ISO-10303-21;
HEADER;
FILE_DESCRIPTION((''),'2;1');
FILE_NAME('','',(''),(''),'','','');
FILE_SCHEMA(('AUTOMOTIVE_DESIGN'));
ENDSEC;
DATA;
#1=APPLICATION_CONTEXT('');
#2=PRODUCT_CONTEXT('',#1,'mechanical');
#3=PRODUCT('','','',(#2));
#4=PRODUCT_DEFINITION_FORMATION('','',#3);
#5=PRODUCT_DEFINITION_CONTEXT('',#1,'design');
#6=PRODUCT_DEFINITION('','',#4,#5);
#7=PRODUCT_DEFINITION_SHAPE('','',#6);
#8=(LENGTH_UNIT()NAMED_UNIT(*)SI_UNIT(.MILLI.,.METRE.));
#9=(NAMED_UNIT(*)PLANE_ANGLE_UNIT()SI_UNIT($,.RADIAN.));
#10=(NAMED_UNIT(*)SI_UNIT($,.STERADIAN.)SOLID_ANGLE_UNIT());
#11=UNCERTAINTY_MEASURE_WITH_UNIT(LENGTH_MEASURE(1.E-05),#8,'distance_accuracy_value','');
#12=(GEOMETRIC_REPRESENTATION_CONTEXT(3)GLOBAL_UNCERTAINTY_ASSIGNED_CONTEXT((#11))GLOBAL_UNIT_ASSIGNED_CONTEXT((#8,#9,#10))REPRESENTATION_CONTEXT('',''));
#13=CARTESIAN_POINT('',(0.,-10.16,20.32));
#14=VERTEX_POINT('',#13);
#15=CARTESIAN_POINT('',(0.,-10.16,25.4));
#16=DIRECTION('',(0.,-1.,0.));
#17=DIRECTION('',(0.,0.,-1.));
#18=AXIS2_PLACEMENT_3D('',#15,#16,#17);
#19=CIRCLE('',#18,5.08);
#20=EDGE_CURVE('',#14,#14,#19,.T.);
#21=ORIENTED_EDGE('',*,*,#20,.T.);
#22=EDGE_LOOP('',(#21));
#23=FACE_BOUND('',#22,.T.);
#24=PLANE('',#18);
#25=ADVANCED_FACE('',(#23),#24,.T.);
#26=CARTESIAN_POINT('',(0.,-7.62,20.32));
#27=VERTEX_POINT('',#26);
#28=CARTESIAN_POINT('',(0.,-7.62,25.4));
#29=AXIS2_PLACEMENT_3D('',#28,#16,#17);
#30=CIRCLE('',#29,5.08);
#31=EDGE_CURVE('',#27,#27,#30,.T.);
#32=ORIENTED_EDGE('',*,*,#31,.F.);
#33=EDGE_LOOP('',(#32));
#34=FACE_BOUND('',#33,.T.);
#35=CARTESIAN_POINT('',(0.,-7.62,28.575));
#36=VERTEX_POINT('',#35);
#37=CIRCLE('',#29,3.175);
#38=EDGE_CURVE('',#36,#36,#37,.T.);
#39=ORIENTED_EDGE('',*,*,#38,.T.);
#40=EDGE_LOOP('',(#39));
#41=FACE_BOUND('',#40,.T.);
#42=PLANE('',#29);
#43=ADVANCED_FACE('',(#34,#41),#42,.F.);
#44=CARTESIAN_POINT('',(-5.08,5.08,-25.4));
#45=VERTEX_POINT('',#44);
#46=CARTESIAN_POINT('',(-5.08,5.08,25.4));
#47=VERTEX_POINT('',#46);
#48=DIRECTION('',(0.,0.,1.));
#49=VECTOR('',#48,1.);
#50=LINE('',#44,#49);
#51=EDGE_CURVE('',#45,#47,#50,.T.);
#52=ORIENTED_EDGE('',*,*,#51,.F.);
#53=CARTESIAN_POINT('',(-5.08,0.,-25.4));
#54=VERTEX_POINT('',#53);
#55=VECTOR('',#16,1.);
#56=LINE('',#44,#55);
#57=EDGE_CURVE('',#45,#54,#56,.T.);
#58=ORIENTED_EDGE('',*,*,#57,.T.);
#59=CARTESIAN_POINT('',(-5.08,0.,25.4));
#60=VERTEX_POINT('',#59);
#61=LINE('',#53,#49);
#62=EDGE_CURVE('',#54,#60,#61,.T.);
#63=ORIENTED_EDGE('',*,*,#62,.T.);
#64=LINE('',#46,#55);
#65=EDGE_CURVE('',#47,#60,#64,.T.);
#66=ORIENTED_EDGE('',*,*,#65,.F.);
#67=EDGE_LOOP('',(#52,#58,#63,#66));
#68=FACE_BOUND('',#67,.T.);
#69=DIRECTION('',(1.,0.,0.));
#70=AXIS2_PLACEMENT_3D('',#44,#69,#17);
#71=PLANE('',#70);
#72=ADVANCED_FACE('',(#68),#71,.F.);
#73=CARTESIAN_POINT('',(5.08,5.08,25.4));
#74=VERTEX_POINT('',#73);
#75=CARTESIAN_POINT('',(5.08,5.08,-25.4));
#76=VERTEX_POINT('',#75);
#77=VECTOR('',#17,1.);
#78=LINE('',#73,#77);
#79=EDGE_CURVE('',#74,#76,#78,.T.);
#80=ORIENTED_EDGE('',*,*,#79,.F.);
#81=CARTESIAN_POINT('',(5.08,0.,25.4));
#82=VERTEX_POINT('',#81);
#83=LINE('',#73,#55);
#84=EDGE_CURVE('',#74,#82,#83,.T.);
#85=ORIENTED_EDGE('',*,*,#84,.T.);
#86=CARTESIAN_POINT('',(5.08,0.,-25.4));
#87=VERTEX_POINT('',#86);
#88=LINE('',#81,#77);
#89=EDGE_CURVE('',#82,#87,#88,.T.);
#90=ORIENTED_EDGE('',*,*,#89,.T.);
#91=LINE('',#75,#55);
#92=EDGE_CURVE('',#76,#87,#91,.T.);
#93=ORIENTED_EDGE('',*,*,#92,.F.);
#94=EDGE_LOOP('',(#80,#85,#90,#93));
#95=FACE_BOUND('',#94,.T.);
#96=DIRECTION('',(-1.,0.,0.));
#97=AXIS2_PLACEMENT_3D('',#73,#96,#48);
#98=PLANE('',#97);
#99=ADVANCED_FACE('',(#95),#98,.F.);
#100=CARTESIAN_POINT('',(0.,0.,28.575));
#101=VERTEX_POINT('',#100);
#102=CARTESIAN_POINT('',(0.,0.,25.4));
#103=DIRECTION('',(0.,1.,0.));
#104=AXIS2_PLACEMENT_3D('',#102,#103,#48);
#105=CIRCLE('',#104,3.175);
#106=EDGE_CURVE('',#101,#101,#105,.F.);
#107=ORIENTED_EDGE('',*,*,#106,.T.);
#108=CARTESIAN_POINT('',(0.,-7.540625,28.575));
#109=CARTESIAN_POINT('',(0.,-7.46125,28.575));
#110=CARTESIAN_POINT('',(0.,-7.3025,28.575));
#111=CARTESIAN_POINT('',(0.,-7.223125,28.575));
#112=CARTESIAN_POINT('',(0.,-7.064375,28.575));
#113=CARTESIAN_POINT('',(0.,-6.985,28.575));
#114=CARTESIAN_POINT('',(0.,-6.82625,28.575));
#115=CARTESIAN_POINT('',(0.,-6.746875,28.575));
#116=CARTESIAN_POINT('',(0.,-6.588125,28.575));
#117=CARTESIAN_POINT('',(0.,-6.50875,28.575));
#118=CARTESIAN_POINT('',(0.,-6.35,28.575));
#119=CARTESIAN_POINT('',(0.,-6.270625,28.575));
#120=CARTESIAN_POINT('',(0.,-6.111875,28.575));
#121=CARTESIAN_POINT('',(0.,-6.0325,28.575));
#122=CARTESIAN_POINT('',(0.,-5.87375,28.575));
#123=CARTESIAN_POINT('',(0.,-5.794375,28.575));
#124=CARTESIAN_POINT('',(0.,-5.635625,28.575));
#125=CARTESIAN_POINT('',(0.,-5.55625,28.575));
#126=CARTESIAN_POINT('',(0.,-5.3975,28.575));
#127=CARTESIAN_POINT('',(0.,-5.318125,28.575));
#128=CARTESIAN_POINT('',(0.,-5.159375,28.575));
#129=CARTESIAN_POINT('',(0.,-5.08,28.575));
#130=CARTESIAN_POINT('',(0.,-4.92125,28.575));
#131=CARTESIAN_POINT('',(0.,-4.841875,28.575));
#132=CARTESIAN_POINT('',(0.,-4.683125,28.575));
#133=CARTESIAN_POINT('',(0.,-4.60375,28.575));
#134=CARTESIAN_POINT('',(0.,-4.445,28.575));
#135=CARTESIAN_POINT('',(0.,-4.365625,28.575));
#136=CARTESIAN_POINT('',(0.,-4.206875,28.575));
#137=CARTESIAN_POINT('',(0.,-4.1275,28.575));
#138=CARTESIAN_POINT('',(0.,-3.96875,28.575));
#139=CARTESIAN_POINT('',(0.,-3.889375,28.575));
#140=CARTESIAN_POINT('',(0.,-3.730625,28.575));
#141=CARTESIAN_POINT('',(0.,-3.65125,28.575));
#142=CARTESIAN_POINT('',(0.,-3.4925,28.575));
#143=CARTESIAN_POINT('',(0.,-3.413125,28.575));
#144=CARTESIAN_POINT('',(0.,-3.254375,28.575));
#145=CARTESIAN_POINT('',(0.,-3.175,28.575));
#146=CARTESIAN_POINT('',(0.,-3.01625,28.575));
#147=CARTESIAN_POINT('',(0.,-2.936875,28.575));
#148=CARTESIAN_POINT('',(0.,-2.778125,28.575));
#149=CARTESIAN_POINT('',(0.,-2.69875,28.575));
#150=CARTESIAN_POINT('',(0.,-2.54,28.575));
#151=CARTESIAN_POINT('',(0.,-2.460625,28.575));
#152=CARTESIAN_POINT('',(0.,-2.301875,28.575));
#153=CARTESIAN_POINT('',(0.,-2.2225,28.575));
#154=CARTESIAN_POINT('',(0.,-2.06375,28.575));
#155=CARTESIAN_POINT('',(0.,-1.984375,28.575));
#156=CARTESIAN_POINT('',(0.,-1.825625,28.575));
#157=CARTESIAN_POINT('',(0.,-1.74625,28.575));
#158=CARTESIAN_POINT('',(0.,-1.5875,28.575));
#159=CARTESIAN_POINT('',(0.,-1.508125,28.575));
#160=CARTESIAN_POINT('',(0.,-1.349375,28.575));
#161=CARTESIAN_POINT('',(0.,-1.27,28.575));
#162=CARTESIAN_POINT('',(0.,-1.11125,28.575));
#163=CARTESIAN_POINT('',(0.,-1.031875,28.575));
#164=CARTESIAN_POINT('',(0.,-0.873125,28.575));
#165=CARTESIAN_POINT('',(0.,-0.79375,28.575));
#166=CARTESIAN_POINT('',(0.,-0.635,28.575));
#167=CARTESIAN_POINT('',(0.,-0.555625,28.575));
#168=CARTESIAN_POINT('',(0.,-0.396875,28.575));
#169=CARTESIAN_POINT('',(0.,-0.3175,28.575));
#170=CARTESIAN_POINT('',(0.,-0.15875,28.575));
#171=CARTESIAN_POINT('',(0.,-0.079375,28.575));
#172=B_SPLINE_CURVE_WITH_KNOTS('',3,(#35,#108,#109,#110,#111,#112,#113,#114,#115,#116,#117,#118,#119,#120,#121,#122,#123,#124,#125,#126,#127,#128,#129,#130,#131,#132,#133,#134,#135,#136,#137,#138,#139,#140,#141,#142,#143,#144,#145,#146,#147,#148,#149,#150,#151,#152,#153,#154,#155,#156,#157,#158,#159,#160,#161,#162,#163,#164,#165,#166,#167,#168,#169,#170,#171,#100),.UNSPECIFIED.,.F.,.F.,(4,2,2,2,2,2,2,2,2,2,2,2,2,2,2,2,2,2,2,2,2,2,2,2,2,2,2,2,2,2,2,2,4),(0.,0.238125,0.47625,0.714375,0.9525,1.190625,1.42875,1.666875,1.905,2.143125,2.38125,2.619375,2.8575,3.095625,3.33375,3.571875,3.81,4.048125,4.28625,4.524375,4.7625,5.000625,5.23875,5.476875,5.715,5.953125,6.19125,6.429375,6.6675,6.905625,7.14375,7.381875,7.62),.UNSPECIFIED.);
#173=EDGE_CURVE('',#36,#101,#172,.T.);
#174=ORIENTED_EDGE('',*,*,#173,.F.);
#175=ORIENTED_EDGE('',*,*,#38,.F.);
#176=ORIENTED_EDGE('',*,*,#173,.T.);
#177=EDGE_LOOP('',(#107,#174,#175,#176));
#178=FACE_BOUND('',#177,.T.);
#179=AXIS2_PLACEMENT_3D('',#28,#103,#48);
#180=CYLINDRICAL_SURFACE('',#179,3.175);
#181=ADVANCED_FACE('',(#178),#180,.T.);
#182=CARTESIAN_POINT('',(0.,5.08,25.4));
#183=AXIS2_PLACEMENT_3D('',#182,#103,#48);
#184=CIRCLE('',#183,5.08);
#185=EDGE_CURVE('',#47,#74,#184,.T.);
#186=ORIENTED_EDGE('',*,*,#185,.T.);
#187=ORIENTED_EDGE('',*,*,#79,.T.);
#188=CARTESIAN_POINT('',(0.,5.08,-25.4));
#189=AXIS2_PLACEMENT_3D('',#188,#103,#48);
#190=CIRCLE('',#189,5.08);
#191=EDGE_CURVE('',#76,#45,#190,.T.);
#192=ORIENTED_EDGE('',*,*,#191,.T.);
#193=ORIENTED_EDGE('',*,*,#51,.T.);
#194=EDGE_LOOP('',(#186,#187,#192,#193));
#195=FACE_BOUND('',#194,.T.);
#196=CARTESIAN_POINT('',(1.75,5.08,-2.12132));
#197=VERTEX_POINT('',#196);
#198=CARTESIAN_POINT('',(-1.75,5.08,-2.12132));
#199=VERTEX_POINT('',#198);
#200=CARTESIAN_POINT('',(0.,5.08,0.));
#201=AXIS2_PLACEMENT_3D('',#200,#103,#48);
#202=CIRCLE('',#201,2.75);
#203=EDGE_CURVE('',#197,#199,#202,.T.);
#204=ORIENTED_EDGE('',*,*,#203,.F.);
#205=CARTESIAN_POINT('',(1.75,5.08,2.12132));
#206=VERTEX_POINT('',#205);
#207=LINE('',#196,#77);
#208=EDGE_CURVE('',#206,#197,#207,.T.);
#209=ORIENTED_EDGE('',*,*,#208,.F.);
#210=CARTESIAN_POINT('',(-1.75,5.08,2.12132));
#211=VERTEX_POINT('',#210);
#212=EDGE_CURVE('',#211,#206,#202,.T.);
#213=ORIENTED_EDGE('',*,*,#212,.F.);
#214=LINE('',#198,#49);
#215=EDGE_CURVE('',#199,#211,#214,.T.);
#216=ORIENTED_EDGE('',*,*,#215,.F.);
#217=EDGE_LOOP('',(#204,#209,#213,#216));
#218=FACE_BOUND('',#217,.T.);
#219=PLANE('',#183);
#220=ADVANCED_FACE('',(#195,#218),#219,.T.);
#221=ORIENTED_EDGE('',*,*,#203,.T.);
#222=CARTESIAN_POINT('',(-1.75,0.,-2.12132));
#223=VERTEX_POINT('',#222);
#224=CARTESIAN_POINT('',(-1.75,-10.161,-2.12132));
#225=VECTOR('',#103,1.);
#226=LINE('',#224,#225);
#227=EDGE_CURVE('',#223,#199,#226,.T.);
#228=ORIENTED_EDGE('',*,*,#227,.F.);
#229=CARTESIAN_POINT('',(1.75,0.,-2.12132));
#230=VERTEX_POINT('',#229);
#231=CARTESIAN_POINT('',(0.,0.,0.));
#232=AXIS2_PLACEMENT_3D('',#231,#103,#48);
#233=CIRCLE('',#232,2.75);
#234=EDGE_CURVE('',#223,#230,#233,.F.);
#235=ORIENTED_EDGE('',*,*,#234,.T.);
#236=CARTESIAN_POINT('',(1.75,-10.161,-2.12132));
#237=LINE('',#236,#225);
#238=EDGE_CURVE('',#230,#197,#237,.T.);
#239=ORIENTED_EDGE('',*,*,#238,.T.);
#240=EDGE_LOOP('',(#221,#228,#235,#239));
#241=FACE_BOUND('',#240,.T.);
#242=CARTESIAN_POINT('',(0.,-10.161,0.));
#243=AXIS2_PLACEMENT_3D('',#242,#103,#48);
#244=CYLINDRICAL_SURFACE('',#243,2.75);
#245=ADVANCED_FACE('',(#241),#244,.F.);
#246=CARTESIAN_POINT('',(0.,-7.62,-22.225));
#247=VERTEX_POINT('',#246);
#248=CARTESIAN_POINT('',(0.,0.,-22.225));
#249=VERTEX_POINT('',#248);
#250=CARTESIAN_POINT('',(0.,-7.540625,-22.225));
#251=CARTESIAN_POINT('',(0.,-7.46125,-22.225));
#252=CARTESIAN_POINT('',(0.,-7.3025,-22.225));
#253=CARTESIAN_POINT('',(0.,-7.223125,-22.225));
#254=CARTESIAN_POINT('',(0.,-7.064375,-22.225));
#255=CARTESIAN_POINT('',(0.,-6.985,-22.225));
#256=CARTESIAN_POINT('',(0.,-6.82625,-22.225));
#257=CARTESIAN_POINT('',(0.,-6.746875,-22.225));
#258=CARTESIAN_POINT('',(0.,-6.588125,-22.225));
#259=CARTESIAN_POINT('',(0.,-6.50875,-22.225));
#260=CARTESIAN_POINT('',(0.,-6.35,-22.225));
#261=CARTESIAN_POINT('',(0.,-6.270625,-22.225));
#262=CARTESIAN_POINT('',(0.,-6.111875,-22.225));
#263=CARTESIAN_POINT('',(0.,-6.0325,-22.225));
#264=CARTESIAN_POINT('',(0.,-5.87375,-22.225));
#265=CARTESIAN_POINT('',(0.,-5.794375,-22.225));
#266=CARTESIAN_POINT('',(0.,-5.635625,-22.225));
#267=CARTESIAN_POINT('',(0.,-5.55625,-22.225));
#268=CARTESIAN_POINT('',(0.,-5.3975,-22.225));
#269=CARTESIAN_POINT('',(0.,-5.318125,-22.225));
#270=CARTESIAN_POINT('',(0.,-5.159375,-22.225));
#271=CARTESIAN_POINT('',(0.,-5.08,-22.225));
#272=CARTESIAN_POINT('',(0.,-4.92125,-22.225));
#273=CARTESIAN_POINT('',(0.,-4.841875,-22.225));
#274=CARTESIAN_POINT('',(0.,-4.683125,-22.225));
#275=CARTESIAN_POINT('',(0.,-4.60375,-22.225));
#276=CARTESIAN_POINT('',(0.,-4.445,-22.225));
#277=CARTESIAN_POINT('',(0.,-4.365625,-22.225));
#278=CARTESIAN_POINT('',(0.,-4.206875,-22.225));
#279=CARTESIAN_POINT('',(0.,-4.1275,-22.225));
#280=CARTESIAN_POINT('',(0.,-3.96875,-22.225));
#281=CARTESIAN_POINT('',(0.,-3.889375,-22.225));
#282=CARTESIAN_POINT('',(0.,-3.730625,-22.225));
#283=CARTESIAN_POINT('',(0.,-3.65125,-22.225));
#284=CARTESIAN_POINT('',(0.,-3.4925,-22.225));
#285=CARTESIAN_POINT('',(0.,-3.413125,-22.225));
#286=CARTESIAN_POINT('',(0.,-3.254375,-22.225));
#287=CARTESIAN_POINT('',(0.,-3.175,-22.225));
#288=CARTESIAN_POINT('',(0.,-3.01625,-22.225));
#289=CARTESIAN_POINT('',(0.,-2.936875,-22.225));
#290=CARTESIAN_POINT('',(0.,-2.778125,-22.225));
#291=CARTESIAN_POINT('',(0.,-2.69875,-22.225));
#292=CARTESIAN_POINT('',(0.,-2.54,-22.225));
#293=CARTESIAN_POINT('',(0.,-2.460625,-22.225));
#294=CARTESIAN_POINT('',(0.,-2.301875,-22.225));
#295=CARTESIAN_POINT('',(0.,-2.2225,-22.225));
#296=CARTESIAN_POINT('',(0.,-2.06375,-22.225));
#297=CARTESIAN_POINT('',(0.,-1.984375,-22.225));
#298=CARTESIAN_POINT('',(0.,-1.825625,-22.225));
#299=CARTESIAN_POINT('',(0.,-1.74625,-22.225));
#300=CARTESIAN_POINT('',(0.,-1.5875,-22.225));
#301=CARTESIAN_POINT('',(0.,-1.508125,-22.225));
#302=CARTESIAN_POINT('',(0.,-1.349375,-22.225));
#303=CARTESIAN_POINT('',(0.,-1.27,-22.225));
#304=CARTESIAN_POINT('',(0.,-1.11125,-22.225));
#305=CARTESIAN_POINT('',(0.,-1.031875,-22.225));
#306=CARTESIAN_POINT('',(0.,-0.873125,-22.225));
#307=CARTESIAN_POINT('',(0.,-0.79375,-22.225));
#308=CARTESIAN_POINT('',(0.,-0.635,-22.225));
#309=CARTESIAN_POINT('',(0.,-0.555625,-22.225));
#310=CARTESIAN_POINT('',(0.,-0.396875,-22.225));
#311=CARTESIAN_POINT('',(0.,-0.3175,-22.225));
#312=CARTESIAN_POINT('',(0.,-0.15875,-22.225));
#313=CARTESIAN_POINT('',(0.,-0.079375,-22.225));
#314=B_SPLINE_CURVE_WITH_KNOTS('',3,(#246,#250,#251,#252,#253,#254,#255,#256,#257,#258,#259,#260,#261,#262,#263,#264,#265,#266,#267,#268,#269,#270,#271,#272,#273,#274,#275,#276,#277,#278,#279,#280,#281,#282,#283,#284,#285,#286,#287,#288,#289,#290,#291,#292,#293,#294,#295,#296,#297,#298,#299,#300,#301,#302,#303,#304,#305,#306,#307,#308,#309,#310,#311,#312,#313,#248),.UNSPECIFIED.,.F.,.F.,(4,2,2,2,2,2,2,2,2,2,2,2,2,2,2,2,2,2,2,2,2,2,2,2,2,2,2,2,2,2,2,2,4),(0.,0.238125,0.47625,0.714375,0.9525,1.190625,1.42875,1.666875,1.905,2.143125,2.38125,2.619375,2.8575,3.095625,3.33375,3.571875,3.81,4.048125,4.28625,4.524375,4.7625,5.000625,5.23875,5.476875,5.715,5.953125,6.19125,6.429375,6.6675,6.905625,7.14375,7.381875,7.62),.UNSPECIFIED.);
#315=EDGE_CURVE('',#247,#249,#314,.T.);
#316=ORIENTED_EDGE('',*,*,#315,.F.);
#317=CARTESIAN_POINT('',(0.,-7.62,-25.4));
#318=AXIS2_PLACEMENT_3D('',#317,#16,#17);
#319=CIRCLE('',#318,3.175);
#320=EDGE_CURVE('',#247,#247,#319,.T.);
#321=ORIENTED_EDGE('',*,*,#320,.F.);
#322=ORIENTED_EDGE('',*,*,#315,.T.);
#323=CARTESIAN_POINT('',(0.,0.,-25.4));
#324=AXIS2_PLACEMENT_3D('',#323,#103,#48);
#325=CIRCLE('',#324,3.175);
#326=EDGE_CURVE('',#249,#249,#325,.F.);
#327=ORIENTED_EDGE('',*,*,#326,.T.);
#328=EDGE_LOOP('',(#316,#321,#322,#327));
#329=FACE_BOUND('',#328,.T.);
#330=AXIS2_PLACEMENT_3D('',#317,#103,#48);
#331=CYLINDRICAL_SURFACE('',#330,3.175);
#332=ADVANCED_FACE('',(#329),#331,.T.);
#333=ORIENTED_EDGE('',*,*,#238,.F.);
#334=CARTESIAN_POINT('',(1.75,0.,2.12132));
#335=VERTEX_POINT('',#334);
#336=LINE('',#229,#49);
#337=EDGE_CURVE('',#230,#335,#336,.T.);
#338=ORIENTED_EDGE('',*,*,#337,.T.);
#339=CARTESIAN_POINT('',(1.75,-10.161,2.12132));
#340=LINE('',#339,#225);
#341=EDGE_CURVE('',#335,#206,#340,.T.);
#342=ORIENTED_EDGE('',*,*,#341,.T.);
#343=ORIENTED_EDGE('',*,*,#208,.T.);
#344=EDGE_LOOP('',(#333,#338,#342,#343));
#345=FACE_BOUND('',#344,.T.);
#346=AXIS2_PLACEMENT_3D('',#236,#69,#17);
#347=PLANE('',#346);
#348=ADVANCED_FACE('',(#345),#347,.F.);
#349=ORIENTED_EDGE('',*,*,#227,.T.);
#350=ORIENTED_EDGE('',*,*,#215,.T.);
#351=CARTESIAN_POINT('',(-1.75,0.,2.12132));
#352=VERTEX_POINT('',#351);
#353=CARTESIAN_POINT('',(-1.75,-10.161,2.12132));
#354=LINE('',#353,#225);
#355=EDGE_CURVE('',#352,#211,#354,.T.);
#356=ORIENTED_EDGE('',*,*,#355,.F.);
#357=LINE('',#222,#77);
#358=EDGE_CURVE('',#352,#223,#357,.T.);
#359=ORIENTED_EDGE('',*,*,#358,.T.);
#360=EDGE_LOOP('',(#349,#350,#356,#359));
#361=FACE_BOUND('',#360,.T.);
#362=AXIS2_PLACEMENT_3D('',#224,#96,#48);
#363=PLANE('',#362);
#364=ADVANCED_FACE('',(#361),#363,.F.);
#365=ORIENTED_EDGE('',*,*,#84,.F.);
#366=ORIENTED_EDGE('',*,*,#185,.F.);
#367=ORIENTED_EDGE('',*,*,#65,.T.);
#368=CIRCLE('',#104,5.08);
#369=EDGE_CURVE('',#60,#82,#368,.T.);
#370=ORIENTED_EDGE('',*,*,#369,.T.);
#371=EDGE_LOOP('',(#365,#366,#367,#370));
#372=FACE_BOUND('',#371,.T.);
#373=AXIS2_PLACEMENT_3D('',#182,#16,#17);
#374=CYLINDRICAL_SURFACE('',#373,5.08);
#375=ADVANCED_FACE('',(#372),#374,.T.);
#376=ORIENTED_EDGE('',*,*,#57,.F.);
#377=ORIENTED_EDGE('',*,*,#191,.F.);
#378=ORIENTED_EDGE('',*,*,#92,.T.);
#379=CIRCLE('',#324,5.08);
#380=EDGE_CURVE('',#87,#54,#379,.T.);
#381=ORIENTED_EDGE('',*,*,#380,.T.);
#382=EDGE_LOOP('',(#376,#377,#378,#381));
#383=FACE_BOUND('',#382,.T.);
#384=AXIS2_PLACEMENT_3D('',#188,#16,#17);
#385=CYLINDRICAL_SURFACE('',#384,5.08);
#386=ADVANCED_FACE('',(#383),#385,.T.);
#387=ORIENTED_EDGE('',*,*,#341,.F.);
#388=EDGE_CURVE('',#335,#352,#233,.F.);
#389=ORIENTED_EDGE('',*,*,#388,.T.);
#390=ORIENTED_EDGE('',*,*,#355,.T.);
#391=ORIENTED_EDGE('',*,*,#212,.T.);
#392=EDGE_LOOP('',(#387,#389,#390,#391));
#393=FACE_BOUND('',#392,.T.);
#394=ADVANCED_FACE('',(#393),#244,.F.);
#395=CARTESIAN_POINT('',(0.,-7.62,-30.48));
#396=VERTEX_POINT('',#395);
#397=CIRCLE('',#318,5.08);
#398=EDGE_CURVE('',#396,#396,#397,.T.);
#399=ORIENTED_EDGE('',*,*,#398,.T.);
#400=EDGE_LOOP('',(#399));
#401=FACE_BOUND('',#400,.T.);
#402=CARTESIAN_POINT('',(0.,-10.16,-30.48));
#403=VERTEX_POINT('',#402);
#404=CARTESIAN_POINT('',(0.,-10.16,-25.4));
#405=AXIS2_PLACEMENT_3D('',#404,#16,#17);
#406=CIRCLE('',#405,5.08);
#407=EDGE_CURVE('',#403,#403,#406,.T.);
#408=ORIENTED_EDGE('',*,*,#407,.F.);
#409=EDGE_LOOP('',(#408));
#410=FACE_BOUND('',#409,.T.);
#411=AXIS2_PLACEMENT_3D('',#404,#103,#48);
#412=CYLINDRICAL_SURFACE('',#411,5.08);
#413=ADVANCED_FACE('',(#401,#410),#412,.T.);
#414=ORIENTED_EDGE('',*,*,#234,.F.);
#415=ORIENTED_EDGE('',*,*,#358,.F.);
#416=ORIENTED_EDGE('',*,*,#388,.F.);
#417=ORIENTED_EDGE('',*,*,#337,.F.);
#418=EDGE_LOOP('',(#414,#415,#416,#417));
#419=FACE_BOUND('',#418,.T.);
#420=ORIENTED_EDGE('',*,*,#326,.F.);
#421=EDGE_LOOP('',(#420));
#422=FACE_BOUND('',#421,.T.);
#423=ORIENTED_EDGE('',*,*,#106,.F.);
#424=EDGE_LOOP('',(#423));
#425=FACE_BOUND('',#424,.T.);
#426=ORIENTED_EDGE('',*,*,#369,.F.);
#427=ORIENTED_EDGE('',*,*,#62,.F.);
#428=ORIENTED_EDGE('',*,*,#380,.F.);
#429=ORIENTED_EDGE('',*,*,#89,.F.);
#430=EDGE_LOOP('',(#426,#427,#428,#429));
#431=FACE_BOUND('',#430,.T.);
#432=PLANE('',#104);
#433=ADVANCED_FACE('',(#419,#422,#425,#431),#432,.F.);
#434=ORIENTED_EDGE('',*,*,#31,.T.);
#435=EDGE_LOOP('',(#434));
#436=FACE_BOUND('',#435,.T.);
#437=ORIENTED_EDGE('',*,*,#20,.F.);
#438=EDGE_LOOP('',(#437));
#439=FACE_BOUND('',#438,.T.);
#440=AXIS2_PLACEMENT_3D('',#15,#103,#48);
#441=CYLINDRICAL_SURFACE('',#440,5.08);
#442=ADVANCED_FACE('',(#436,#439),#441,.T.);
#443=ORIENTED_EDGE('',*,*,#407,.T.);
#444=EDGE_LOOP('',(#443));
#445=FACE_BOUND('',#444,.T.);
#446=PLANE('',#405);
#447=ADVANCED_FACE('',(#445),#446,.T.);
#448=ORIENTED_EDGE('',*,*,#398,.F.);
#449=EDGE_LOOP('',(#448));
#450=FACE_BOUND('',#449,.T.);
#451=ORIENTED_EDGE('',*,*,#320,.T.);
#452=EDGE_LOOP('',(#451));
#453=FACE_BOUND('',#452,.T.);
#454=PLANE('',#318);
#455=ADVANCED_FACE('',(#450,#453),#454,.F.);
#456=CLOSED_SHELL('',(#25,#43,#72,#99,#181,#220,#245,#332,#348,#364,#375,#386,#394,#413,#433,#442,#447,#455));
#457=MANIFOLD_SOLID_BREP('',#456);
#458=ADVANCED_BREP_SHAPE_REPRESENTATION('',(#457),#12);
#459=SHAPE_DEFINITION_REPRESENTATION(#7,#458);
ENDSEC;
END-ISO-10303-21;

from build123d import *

# Parameters (mm, degrees)
BOSS_EXTRUDE1_DEPTH = 5.08
SKETCH3_R           = 3.175
BOSS_EXTRUDE2_DEPTH = 7.62
BOSS_EXTRUDE3_START = 2.54
SKETCH6_R           = 5.08
BOSS_EXTRUDE3_DEPTH = 2.54
BOSS_EXTRUDE4_START = 2.54
SKETCH8_R           = 5.08
BOSS_EXTRUDE4_DEPTH = 2.54
CUT_EXTRUDE1_REACH  = 36.454


with BuildPart() as part:
    # Sketch2 → Boss-Extrude1 (new body)
    with BuildSketch(Plane(origin=(0, 0, 0), x_dir=(1, 0, 0), z_dir=(0, 1, 0))):
        with BuildLine():
            Line((-5.08, 25.4), (-5.08, -25.4))
            ThreePointArc((-5.08, -25.4), (0, -30.48), (5.08, -25.4))
            Line((5.08, -25.4), (5.08, 25.4))
            ThreePointArc((5.08, 25.4), (0, 30.48), (-5.08, 25.4))
        make_face()
    extrude(amount=BOSS_EXTRUDE1_DEPTH)

    # Sketch3 → Boss-Extrude2 (add)
    with BuildSketch(Plane(origin=(0, 0, 0), x_dir=(-1, 0, 0), z_dir=(0, -1, 0))):
        with Locations(Location((0, -25.4, 0), (0, 0, 270))):
            Circle(SKETCH3_R)
        with Locations(Location((0, 25.4, 0), (0, 0, 270))):
            Circle(SKETCH3_R)
    extrude(amount=BOSS_EXTRUDE2_DEPTH)

    # Sketch6 → Boss-Extrude3 (add)
    with BuildSketch(Plane.XZ.offset(7.62).offset(BOSS_EXTRUDE3_START)):
        with Locations(Location((0, 25.4, 0), (0, 0, 270))):
            Circle(SKETCH6_R)
    extrude(amount=-BOSS_EXTRUDE3_DEPTH)

    # Sketch8 → Boss-Extrude4 (add)
    with BuildSketch(Plane.XZ.offset(7.62).offset(BOSS_EXTRUDE4_START)):
        with Locations(Location((0, -25.4, 0), (0, 0, 270))):
            Circle(SKETCH8_R)
    extrude(amount=-BOSS_EXTRUDE4_DEPTH)

    # Sketch10 → Cut-Extrude1 (cut, up to next)
    with BuildSketch(Plane(origin=(0, 5.08, 0), x_dir=(1, 0, 0), z_dir=(0, 1, 0)), mode=Mode.PRIVATE) as cut_extrude1_sk1:
        with BuildLine():
            Line((-1.75, 2.121320344), (-1.75, -2.121320344))
            ThreePointArc((-1.75, -2.121320344), (0, -2.75), (1.75, -2.121320344))
            Line((1.75, -2.121320344), (1.75, 2.121320344))
            ThreePointArc((1.75, 2.121320344), (0, 2.75), (-1.75, 2.121320344))
        make_face()
    cut_extrude1_tool1 = extrude(cut_extrude1_sk1.sketch, amount=-CUT_EXTRUDE1_REACH, mode=Mode.PRIVATE) & part.part
    add(cut_extrude1_tool1.solids().sort_by_distance((0, 5.08, 0))[0], mode=Mode.SUBTRACT)


solid = part.part
